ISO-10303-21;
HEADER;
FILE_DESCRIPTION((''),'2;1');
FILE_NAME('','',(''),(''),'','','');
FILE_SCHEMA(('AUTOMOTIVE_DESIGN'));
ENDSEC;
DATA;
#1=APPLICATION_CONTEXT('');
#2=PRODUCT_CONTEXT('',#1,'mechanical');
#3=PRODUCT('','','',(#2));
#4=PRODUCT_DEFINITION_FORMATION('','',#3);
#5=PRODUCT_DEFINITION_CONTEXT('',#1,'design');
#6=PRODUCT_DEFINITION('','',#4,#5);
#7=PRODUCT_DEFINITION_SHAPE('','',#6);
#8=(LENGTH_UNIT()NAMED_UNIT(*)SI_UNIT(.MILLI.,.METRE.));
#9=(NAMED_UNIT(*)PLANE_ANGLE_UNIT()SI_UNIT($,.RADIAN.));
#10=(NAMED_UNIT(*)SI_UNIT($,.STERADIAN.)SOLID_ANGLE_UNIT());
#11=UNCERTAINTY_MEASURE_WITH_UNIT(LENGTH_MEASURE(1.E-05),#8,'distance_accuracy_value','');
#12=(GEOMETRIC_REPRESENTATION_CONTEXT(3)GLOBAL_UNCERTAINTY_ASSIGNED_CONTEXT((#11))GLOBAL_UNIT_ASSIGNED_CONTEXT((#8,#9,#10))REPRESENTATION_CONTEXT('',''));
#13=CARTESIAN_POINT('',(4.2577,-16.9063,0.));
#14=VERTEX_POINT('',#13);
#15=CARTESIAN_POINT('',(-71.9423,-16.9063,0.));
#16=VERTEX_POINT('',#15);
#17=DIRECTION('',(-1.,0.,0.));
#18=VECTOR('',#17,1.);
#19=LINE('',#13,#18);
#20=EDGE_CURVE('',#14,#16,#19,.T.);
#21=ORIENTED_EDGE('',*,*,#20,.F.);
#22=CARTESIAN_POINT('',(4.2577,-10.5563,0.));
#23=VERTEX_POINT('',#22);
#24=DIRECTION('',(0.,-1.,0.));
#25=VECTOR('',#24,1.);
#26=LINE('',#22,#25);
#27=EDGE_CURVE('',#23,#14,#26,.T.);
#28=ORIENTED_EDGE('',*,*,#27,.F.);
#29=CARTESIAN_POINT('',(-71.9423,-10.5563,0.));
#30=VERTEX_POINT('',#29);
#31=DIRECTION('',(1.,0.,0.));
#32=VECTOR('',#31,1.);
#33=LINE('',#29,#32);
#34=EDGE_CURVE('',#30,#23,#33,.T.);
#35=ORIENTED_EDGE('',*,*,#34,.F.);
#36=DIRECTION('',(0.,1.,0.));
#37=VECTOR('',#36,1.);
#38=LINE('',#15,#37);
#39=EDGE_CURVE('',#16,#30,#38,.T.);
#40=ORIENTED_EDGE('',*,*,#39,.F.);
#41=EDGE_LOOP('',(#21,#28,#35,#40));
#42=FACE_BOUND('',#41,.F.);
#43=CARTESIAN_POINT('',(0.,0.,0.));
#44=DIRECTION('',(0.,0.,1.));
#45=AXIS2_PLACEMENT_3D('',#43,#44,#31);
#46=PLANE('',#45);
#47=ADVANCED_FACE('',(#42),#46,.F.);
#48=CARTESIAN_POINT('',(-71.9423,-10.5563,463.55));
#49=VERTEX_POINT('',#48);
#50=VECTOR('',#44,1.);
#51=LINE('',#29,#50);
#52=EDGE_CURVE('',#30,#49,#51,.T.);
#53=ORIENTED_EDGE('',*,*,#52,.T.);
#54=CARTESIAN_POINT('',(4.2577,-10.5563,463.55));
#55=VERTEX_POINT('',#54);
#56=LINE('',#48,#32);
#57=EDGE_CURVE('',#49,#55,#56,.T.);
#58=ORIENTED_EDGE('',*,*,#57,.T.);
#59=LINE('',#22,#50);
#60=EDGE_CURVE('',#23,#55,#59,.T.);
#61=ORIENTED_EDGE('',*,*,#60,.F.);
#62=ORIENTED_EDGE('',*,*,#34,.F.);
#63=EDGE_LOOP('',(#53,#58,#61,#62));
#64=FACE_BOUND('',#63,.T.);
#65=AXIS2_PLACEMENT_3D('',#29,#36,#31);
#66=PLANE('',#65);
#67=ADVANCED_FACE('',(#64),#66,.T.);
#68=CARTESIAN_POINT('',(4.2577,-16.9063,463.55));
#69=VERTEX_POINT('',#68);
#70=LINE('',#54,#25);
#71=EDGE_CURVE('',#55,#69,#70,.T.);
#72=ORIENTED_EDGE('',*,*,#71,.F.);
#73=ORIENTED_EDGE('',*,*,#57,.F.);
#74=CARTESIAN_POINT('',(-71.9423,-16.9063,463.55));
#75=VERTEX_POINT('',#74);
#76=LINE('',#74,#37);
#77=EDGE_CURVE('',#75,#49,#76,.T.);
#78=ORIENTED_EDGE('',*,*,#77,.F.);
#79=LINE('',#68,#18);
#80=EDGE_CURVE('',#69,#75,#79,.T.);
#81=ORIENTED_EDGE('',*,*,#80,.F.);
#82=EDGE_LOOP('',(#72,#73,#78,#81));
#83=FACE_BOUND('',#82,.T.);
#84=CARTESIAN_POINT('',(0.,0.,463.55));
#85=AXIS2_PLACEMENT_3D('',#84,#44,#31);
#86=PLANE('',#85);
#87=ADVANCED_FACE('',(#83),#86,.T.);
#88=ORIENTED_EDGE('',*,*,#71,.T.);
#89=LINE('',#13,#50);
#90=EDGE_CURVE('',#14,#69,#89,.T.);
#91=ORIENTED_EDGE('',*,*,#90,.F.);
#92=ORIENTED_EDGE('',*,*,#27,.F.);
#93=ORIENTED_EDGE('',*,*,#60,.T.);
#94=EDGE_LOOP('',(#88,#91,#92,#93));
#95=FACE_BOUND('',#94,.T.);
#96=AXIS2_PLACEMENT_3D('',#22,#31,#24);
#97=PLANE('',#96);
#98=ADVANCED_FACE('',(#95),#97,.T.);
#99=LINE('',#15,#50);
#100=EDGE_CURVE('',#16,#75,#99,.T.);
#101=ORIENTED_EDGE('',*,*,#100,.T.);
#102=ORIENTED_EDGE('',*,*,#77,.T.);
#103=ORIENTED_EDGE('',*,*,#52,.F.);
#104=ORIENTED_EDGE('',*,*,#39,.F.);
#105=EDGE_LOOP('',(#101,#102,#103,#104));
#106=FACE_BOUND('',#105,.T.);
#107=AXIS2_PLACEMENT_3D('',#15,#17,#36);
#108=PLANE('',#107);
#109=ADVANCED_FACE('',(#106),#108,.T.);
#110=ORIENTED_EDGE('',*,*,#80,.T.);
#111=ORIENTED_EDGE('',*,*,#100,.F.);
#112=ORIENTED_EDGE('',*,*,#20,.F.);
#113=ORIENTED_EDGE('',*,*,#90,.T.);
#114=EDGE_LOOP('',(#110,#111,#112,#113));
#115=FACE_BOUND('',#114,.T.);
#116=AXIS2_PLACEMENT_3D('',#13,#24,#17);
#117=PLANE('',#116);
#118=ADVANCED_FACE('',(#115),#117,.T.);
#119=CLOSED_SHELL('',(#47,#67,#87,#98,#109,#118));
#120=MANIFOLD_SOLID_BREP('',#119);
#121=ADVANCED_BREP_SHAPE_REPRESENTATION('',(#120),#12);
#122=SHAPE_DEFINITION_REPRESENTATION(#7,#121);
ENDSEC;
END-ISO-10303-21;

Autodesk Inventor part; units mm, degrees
ref_plane "YZ Plane" through (0, 0, 0) normal (1, 0, 0) x (0, 1, 0)
ref_plane "XZ Plane" through (0, 0, 0) normal (0, 1, 0) x (-1, 0, 0)
ref_plane "XY Plane" through (0, 0, 0) normal (0, 0, 1) x (1, 0, 0)
sketch "Sketch1" plane through (0, 0, 0) normal (0, 0, 1) x (1, 0, 0)
  line L0 (-71.9423, -10.5563) -> (4.2577, -10.5563)
  line L1 (4.2577, -10.5563) -> (4.2577, -16.9063)
  line L2 (4.2577, -16.9063) -> (-71.9423, -16.9063)
  line L3 (-71.9423, -16.9063) -> (-71.9423, -10.5563)
  point P0 (0, 0)
  dimension "d0" = 76.2
  dimension "d1" = 6.35
extrude "Extrusion1" add sketch "Sketch1" along normal blind 463.55
properties part number "Wine Glass Holder Middle"
